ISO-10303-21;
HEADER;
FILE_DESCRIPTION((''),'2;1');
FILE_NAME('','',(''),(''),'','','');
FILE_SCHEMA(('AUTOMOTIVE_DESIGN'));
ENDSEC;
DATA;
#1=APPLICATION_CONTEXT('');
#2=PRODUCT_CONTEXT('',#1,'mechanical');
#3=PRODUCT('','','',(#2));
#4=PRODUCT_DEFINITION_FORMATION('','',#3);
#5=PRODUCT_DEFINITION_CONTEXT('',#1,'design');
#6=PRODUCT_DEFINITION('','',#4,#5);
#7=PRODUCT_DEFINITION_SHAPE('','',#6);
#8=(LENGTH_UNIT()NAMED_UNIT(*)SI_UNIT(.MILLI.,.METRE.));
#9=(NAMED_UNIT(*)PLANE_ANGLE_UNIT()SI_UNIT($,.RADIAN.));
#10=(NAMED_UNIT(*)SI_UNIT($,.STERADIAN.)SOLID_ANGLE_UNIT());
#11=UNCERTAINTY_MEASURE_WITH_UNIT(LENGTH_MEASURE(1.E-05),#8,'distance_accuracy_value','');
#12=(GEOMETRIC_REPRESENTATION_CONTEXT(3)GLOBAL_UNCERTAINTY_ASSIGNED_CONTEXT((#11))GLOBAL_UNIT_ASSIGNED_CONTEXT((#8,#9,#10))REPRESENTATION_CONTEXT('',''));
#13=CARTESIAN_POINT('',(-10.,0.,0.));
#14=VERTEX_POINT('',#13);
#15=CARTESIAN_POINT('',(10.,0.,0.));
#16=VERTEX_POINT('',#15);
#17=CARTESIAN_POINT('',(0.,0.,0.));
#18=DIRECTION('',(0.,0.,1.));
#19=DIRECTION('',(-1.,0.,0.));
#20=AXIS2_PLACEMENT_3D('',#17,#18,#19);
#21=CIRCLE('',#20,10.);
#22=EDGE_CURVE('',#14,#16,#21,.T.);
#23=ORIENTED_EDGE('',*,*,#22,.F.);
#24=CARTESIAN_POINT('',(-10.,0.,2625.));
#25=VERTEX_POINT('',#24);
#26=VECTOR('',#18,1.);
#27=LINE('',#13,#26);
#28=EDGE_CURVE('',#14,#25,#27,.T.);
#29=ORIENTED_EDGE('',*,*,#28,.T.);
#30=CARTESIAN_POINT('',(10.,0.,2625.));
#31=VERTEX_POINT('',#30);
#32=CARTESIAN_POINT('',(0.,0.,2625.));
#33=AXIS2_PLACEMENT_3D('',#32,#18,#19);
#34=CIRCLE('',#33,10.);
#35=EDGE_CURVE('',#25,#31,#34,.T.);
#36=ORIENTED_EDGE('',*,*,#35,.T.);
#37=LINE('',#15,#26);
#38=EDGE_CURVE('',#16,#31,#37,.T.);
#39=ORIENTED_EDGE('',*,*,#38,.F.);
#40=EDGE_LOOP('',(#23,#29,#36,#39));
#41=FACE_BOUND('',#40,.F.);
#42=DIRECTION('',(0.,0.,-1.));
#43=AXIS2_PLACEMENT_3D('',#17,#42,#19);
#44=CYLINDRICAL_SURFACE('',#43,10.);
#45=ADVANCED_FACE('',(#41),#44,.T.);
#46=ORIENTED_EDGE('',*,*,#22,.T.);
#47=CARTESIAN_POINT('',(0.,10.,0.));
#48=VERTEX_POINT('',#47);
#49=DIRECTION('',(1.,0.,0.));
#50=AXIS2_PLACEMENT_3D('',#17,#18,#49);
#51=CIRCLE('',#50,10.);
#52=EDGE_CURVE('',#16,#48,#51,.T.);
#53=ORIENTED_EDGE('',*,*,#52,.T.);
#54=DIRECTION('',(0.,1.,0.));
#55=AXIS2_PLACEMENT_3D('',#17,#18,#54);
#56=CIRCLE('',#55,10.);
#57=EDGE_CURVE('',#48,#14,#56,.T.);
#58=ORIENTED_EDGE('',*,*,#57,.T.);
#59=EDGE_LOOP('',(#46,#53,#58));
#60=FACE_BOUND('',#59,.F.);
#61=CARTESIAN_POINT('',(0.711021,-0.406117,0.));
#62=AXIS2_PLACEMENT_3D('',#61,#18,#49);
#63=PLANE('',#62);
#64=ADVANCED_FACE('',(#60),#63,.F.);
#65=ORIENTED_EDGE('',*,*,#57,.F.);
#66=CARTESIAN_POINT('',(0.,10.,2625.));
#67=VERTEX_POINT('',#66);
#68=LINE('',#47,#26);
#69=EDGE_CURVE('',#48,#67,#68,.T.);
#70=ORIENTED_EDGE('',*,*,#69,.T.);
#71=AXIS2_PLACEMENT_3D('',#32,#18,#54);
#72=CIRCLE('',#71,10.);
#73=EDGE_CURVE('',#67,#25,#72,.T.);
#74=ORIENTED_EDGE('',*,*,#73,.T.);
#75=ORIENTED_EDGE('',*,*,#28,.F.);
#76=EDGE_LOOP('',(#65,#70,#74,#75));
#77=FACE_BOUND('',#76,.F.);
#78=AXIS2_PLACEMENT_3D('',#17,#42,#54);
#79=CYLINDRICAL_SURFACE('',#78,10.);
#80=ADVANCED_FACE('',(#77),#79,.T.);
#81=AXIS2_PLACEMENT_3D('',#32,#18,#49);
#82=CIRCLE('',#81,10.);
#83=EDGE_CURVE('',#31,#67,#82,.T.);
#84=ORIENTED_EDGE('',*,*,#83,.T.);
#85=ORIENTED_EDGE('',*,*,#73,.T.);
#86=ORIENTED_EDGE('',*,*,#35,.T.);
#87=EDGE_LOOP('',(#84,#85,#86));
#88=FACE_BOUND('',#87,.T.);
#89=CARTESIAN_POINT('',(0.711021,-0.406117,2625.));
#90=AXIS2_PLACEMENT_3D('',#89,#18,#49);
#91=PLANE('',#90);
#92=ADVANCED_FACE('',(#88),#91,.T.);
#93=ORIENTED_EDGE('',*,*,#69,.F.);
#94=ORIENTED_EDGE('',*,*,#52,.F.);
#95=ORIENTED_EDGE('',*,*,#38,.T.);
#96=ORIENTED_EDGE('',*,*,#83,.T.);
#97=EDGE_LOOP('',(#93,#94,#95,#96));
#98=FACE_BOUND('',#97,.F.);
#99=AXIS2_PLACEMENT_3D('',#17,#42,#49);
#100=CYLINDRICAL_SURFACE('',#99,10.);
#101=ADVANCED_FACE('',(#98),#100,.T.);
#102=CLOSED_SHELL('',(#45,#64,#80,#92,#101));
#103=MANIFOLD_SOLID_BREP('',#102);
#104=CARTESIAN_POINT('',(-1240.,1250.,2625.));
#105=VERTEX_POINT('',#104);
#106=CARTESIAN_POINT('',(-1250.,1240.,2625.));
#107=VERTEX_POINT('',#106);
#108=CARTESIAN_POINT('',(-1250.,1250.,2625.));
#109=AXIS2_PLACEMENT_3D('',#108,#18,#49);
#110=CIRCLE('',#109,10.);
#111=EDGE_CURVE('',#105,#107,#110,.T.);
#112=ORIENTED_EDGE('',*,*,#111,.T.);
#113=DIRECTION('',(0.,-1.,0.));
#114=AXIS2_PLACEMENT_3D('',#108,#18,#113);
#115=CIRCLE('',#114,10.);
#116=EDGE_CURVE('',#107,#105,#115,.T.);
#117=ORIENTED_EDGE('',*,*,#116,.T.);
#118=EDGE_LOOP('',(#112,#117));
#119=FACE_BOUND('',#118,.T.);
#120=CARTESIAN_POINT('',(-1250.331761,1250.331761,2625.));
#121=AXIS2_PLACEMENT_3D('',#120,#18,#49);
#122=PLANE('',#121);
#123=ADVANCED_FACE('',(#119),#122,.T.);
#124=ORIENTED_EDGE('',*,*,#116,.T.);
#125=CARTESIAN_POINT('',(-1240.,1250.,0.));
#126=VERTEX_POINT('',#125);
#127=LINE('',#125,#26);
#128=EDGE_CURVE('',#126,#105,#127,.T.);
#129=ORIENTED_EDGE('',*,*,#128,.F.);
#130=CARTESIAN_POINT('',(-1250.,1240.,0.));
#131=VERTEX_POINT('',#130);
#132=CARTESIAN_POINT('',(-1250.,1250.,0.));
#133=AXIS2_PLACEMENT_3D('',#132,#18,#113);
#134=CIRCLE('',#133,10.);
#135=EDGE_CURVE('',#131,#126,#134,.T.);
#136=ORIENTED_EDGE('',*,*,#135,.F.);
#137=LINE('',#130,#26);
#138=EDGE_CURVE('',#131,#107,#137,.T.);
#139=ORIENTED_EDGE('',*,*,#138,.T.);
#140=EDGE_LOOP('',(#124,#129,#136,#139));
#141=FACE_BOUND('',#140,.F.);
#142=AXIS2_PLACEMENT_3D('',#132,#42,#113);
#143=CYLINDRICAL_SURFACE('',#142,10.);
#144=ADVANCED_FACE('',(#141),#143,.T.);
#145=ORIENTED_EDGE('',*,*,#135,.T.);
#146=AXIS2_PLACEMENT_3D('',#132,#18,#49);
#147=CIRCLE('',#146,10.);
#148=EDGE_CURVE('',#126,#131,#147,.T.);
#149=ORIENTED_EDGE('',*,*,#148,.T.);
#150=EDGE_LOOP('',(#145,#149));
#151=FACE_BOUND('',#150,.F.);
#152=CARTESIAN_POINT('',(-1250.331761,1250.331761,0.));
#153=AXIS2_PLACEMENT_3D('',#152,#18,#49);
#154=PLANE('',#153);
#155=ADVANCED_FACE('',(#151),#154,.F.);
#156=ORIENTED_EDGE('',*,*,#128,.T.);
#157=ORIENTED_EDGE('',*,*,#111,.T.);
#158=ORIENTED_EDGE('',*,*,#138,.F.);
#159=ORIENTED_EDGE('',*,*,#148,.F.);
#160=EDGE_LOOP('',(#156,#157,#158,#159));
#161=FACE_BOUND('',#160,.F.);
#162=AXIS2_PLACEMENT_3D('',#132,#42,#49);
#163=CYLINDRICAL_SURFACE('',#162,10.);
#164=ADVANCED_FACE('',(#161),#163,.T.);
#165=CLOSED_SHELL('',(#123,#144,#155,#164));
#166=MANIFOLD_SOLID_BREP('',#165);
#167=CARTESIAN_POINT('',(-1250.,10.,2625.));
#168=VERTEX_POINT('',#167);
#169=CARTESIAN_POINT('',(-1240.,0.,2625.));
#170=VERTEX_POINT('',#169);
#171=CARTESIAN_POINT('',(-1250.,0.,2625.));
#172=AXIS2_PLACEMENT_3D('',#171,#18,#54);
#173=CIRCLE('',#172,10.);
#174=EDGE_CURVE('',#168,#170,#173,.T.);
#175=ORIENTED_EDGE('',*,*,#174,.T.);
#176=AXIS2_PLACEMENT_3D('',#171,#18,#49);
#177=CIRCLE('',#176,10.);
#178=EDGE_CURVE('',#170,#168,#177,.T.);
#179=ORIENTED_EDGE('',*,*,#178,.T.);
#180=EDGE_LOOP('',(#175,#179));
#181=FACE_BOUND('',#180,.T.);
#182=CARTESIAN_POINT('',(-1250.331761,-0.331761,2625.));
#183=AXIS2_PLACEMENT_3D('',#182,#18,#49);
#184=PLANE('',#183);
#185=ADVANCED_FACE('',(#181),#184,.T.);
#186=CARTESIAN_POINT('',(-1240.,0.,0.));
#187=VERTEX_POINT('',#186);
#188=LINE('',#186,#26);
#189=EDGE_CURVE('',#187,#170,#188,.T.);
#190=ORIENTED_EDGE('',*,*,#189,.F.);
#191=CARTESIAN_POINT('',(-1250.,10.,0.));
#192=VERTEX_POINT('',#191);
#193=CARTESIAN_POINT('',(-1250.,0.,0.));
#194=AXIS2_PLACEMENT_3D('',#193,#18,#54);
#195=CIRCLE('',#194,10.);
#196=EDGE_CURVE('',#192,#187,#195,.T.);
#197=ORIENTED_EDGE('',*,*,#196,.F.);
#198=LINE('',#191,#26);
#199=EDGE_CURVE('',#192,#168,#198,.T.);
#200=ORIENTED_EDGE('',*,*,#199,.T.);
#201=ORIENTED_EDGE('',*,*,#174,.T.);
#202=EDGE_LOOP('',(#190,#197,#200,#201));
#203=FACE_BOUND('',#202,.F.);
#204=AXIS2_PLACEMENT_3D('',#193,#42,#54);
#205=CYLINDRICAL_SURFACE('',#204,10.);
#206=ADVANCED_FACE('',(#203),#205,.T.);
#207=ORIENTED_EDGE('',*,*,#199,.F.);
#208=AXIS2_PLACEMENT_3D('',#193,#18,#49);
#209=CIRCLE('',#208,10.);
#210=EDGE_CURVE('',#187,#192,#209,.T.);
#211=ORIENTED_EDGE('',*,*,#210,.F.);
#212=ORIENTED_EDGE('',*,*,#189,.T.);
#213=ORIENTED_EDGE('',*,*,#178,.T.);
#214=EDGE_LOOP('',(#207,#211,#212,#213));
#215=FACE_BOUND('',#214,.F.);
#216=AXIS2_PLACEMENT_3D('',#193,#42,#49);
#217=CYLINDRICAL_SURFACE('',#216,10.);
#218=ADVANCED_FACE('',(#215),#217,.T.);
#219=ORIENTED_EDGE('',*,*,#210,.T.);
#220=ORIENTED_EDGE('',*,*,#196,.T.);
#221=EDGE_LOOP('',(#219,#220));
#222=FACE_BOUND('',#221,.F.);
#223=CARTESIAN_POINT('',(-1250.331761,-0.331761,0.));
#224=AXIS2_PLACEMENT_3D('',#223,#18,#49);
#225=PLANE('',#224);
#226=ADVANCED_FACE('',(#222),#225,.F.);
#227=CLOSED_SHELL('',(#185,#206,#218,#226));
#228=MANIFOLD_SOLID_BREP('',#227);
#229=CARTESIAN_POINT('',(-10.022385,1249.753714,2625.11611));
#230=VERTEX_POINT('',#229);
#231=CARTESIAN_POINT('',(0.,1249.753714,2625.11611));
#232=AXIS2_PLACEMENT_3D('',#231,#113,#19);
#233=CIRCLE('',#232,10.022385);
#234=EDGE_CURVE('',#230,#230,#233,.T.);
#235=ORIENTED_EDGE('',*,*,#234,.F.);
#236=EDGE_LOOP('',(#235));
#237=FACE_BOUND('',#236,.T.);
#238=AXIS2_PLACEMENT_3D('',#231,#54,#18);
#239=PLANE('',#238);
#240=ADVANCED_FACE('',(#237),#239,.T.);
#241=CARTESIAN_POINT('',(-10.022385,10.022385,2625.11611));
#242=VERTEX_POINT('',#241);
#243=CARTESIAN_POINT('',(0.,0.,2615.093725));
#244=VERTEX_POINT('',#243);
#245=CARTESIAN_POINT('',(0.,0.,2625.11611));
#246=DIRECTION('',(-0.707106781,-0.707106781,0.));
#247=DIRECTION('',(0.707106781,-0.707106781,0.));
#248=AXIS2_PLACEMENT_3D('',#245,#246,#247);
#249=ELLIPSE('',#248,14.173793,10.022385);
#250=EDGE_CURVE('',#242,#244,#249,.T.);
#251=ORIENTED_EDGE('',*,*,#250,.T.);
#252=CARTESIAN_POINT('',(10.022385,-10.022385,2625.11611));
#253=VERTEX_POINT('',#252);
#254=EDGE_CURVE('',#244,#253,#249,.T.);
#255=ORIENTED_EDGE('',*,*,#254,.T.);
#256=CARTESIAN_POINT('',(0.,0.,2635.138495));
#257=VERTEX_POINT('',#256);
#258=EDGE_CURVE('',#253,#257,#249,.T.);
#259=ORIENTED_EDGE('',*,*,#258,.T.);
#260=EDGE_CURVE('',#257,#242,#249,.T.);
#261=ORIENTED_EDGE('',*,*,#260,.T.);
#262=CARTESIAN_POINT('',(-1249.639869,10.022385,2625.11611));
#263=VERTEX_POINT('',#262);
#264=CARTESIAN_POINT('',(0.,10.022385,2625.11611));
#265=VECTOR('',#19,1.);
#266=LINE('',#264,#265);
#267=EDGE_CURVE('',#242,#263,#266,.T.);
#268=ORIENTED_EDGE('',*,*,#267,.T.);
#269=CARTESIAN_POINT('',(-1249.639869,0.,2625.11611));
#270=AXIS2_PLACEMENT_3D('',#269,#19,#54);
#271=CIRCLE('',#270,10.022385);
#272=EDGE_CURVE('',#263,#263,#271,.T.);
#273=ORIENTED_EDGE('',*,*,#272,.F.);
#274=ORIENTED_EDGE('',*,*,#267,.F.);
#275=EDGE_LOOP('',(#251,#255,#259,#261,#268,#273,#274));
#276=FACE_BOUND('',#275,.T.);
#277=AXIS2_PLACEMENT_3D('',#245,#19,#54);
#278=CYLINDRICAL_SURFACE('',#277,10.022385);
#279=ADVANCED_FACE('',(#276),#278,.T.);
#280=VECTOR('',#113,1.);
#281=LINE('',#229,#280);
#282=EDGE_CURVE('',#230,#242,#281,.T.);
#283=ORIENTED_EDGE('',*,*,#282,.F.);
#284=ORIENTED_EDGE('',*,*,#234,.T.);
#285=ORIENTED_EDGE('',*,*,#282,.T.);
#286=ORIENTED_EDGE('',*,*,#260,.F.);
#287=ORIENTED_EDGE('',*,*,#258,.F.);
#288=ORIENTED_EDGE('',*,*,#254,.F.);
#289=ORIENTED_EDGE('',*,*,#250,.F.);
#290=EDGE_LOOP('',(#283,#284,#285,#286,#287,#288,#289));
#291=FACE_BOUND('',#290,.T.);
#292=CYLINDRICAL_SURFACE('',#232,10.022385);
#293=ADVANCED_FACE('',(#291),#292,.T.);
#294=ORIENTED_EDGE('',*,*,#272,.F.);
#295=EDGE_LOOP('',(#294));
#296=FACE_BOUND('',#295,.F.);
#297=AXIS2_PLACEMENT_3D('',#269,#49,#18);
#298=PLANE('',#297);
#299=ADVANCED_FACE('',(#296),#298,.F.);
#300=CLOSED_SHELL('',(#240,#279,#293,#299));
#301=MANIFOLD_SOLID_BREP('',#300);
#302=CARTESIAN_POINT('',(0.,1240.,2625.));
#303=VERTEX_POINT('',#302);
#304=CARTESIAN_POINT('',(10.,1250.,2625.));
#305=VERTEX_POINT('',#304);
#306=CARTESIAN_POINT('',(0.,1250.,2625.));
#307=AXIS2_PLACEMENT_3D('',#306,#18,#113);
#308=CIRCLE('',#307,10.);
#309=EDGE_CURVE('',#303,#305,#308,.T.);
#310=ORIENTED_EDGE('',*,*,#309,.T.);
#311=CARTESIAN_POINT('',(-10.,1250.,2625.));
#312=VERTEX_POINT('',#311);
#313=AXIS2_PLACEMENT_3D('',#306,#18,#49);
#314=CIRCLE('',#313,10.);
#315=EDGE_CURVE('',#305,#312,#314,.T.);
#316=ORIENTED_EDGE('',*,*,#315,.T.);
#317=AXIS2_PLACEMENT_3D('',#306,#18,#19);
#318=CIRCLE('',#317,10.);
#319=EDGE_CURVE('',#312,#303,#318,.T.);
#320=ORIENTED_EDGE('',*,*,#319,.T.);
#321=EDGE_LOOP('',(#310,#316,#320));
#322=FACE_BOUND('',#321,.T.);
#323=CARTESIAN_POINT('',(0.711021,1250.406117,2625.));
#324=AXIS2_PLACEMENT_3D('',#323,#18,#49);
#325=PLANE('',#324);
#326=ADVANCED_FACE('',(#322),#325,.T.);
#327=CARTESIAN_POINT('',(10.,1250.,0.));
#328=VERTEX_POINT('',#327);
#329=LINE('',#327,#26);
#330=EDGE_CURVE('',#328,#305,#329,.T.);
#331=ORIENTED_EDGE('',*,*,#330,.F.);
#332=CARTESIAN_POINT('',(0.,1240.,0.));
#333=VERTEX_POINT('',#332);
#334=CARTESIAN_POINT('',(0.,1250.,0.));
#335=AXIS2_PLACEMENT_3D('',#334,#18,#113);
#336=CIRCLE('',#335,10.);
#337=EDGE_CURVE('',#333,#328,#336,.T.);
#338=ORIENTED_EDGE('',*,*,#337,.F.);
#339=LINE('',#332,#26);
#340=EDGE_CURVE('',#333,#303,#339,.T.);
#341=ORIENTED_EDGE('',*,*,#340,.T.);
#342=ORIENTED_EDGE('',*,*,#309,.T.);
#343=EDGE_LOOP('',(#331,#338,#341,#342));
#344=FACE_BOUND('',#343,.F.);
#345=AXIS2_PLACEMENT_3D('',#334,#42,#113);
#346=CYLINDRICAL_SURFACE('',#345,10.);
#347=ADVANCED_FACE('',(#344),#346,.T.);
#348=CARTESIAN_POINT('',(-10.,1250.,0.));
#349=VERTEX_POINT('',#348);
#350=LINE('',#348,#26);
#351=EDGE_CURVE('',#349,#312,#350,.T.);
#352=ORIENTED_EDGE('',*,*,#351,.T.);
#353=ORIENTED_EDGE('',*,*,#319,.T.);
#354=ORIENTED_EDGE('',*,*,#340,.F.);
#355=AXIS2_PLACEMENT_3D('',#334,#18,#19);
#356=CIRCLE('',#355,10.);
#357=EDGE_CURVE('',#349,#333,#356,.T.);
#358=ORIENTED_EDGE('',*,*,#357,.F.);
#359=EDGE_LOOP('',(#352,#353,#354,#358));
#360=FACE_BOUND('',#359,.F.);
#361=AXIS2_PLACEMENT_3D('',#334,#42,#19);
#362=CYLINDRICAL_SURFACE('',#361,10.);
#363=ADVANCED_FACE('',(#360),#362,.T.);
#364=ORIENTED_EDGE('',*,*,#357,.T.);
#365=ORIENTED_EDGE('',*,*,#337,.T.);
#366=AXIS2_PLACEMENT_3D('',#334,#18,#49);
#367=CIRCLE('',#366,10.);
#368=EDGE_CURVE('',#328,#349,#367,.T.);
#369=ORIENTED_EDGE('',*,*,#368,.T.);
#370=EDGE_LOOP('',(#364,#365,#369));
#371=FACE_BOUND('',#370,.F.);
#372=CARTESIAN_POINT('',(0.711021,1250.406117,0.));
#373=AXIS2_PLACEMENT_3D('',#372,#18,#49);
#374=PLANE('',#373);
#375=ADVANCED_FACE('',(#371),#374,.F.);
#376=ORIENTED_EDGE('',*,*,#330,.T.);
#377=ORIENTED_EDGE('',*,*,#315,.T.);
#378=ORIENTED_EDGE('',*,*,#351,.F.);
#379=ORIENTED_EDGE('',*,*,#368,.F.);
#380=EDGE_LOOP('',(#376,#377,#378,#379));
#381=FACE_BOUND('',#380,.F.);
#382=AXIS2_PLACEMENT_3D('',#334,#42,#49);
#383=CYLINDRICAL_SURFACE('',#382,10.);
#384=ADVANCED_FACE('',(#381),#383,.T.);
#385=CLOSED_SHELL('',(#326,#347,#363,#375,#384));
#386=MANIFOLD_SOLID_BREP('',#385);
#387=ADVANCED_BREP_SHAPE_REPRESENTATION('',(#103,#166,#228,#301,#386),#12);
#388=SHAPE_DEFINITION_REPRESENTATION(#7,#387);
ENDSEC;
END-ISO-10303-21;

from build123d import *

# Parameters (mm, degrees)
F1_DEPTH = 2625
F4_R     = 10.0223853087


with BuildPart() as f1:
    # F0 (on Top) → F1 (new body)
    with BuildSketch(Plane.XY):
        with BuildLine():
            Line((0, 1250), (0, 1240))
            ThreePointArc((0, 1240), (7.0710678119, 1242.9289321881), (10, 1250))
            ThreePointArc((10, 1250), (0, 1260), (-10, 1250))
            Line((-10, 1250), (0, 1250))
        make_face()
        with BuildLine():
            ThreePointArc((-10, 1250), (-7.0710678119, 1242.9289321881), (0, 1240))
            Line((0, 1240), (0, 1250))
            Line((0, 1250), (-10, 1250))
        make_face()
    extrude(amount=F1_DEPTH)


with BuildPart() as f1b:
    # F0 (on Top) → F1, piece 2 (new body)
    with BuildSketch(Plane.XY):
        with BuildLine():
            Line((-1250, 1250), (-1240, 1250))
            ThreePointArc((-1240, 1250), (-1257.0710678119, 1257.0710678119), (-1250, 1240))
            Line((-1250, 1240), (-1250, 1250))
        make_face()
        with BuildLine():
            ThreePointArc((-1250, 1240), (-1242.9289321881, 1242.9289321881), (-1240, 1250))
            Line((-1240, 1250), (-1250, 1250))
            Line((-1250, 1250), (-1250, 1240))
        make_face()
    extrude(amount=F1_DEPTH)


with BuildPart() as f1c:
    # F0 (on Top) → F1, piece 3 (new body)
    with BuildSketch(Plane.XY):
        with BuildLine():
            ThreePointArc((-1250, 10), (-1257.0710678119, -7.0710678119), (-1240, 0))
            Line((-1240, 0), (-1250, 0))
            Line((-1250, 0), (-1250, 10))
        make_face()
        with BuildLine():
            Line((-1250, 0), (-1240, 0))
            ThreePointArc((-1240, 0), (-1242.9289321881, 7.0710678119), (-1250, 10))
            Line((-1250, 10), (-1250, 0))
        make_face()
    extrude(amount=F1_DEPTH)


with BuildPart() as f1d:
    # F0 (on Top) → F1, piece 4 (new body)
    with BuildSketch(Plane.XY):
        with BuildLine():
            Line((0, 10), (0, 0))
            Line((0, 0), (-10, 0))
            ThreePointArc((-10, 0), (0, -10), (10, 0))
            ThreePointArc((10, 0), (7.0710678119, 7.0710678119), (0, 10))
        make_face()
        with BuildLine():
            Line((-10, 0), (0, 0))
            Line((0, 0), (0, 10))
            ThreePointArc((0, 10), (-7.0710678119, 7.0710678119), (-10, 0))
        make_face()
    extrude(amount=F1_DEPTH)


with BuildPart() as f5:
    # F5: sweep along a path in F2
    with BuildLine(Plane.XY.offset(2625)) as f5_path:
        Line((0, 1249.7537136078), (0, 0))
        Line((0, 0), (-1249.6398687363, 0))
    # F4 (on line) → F5 (sweep)
    with BuildSketch(Plane(origin=(0, 0, 0), x_dir=(-1, 0, 0), z_dir=(0, 1, 0))):
        with Locations((0, 2625.116109848)):
            Circle(F4_R)
    sweep(path=f5_path.line, transition=Transition.RIGHT)


solid = Compound([f1.part, f1b.part, f1c.part, f1d.part, f5.part])
